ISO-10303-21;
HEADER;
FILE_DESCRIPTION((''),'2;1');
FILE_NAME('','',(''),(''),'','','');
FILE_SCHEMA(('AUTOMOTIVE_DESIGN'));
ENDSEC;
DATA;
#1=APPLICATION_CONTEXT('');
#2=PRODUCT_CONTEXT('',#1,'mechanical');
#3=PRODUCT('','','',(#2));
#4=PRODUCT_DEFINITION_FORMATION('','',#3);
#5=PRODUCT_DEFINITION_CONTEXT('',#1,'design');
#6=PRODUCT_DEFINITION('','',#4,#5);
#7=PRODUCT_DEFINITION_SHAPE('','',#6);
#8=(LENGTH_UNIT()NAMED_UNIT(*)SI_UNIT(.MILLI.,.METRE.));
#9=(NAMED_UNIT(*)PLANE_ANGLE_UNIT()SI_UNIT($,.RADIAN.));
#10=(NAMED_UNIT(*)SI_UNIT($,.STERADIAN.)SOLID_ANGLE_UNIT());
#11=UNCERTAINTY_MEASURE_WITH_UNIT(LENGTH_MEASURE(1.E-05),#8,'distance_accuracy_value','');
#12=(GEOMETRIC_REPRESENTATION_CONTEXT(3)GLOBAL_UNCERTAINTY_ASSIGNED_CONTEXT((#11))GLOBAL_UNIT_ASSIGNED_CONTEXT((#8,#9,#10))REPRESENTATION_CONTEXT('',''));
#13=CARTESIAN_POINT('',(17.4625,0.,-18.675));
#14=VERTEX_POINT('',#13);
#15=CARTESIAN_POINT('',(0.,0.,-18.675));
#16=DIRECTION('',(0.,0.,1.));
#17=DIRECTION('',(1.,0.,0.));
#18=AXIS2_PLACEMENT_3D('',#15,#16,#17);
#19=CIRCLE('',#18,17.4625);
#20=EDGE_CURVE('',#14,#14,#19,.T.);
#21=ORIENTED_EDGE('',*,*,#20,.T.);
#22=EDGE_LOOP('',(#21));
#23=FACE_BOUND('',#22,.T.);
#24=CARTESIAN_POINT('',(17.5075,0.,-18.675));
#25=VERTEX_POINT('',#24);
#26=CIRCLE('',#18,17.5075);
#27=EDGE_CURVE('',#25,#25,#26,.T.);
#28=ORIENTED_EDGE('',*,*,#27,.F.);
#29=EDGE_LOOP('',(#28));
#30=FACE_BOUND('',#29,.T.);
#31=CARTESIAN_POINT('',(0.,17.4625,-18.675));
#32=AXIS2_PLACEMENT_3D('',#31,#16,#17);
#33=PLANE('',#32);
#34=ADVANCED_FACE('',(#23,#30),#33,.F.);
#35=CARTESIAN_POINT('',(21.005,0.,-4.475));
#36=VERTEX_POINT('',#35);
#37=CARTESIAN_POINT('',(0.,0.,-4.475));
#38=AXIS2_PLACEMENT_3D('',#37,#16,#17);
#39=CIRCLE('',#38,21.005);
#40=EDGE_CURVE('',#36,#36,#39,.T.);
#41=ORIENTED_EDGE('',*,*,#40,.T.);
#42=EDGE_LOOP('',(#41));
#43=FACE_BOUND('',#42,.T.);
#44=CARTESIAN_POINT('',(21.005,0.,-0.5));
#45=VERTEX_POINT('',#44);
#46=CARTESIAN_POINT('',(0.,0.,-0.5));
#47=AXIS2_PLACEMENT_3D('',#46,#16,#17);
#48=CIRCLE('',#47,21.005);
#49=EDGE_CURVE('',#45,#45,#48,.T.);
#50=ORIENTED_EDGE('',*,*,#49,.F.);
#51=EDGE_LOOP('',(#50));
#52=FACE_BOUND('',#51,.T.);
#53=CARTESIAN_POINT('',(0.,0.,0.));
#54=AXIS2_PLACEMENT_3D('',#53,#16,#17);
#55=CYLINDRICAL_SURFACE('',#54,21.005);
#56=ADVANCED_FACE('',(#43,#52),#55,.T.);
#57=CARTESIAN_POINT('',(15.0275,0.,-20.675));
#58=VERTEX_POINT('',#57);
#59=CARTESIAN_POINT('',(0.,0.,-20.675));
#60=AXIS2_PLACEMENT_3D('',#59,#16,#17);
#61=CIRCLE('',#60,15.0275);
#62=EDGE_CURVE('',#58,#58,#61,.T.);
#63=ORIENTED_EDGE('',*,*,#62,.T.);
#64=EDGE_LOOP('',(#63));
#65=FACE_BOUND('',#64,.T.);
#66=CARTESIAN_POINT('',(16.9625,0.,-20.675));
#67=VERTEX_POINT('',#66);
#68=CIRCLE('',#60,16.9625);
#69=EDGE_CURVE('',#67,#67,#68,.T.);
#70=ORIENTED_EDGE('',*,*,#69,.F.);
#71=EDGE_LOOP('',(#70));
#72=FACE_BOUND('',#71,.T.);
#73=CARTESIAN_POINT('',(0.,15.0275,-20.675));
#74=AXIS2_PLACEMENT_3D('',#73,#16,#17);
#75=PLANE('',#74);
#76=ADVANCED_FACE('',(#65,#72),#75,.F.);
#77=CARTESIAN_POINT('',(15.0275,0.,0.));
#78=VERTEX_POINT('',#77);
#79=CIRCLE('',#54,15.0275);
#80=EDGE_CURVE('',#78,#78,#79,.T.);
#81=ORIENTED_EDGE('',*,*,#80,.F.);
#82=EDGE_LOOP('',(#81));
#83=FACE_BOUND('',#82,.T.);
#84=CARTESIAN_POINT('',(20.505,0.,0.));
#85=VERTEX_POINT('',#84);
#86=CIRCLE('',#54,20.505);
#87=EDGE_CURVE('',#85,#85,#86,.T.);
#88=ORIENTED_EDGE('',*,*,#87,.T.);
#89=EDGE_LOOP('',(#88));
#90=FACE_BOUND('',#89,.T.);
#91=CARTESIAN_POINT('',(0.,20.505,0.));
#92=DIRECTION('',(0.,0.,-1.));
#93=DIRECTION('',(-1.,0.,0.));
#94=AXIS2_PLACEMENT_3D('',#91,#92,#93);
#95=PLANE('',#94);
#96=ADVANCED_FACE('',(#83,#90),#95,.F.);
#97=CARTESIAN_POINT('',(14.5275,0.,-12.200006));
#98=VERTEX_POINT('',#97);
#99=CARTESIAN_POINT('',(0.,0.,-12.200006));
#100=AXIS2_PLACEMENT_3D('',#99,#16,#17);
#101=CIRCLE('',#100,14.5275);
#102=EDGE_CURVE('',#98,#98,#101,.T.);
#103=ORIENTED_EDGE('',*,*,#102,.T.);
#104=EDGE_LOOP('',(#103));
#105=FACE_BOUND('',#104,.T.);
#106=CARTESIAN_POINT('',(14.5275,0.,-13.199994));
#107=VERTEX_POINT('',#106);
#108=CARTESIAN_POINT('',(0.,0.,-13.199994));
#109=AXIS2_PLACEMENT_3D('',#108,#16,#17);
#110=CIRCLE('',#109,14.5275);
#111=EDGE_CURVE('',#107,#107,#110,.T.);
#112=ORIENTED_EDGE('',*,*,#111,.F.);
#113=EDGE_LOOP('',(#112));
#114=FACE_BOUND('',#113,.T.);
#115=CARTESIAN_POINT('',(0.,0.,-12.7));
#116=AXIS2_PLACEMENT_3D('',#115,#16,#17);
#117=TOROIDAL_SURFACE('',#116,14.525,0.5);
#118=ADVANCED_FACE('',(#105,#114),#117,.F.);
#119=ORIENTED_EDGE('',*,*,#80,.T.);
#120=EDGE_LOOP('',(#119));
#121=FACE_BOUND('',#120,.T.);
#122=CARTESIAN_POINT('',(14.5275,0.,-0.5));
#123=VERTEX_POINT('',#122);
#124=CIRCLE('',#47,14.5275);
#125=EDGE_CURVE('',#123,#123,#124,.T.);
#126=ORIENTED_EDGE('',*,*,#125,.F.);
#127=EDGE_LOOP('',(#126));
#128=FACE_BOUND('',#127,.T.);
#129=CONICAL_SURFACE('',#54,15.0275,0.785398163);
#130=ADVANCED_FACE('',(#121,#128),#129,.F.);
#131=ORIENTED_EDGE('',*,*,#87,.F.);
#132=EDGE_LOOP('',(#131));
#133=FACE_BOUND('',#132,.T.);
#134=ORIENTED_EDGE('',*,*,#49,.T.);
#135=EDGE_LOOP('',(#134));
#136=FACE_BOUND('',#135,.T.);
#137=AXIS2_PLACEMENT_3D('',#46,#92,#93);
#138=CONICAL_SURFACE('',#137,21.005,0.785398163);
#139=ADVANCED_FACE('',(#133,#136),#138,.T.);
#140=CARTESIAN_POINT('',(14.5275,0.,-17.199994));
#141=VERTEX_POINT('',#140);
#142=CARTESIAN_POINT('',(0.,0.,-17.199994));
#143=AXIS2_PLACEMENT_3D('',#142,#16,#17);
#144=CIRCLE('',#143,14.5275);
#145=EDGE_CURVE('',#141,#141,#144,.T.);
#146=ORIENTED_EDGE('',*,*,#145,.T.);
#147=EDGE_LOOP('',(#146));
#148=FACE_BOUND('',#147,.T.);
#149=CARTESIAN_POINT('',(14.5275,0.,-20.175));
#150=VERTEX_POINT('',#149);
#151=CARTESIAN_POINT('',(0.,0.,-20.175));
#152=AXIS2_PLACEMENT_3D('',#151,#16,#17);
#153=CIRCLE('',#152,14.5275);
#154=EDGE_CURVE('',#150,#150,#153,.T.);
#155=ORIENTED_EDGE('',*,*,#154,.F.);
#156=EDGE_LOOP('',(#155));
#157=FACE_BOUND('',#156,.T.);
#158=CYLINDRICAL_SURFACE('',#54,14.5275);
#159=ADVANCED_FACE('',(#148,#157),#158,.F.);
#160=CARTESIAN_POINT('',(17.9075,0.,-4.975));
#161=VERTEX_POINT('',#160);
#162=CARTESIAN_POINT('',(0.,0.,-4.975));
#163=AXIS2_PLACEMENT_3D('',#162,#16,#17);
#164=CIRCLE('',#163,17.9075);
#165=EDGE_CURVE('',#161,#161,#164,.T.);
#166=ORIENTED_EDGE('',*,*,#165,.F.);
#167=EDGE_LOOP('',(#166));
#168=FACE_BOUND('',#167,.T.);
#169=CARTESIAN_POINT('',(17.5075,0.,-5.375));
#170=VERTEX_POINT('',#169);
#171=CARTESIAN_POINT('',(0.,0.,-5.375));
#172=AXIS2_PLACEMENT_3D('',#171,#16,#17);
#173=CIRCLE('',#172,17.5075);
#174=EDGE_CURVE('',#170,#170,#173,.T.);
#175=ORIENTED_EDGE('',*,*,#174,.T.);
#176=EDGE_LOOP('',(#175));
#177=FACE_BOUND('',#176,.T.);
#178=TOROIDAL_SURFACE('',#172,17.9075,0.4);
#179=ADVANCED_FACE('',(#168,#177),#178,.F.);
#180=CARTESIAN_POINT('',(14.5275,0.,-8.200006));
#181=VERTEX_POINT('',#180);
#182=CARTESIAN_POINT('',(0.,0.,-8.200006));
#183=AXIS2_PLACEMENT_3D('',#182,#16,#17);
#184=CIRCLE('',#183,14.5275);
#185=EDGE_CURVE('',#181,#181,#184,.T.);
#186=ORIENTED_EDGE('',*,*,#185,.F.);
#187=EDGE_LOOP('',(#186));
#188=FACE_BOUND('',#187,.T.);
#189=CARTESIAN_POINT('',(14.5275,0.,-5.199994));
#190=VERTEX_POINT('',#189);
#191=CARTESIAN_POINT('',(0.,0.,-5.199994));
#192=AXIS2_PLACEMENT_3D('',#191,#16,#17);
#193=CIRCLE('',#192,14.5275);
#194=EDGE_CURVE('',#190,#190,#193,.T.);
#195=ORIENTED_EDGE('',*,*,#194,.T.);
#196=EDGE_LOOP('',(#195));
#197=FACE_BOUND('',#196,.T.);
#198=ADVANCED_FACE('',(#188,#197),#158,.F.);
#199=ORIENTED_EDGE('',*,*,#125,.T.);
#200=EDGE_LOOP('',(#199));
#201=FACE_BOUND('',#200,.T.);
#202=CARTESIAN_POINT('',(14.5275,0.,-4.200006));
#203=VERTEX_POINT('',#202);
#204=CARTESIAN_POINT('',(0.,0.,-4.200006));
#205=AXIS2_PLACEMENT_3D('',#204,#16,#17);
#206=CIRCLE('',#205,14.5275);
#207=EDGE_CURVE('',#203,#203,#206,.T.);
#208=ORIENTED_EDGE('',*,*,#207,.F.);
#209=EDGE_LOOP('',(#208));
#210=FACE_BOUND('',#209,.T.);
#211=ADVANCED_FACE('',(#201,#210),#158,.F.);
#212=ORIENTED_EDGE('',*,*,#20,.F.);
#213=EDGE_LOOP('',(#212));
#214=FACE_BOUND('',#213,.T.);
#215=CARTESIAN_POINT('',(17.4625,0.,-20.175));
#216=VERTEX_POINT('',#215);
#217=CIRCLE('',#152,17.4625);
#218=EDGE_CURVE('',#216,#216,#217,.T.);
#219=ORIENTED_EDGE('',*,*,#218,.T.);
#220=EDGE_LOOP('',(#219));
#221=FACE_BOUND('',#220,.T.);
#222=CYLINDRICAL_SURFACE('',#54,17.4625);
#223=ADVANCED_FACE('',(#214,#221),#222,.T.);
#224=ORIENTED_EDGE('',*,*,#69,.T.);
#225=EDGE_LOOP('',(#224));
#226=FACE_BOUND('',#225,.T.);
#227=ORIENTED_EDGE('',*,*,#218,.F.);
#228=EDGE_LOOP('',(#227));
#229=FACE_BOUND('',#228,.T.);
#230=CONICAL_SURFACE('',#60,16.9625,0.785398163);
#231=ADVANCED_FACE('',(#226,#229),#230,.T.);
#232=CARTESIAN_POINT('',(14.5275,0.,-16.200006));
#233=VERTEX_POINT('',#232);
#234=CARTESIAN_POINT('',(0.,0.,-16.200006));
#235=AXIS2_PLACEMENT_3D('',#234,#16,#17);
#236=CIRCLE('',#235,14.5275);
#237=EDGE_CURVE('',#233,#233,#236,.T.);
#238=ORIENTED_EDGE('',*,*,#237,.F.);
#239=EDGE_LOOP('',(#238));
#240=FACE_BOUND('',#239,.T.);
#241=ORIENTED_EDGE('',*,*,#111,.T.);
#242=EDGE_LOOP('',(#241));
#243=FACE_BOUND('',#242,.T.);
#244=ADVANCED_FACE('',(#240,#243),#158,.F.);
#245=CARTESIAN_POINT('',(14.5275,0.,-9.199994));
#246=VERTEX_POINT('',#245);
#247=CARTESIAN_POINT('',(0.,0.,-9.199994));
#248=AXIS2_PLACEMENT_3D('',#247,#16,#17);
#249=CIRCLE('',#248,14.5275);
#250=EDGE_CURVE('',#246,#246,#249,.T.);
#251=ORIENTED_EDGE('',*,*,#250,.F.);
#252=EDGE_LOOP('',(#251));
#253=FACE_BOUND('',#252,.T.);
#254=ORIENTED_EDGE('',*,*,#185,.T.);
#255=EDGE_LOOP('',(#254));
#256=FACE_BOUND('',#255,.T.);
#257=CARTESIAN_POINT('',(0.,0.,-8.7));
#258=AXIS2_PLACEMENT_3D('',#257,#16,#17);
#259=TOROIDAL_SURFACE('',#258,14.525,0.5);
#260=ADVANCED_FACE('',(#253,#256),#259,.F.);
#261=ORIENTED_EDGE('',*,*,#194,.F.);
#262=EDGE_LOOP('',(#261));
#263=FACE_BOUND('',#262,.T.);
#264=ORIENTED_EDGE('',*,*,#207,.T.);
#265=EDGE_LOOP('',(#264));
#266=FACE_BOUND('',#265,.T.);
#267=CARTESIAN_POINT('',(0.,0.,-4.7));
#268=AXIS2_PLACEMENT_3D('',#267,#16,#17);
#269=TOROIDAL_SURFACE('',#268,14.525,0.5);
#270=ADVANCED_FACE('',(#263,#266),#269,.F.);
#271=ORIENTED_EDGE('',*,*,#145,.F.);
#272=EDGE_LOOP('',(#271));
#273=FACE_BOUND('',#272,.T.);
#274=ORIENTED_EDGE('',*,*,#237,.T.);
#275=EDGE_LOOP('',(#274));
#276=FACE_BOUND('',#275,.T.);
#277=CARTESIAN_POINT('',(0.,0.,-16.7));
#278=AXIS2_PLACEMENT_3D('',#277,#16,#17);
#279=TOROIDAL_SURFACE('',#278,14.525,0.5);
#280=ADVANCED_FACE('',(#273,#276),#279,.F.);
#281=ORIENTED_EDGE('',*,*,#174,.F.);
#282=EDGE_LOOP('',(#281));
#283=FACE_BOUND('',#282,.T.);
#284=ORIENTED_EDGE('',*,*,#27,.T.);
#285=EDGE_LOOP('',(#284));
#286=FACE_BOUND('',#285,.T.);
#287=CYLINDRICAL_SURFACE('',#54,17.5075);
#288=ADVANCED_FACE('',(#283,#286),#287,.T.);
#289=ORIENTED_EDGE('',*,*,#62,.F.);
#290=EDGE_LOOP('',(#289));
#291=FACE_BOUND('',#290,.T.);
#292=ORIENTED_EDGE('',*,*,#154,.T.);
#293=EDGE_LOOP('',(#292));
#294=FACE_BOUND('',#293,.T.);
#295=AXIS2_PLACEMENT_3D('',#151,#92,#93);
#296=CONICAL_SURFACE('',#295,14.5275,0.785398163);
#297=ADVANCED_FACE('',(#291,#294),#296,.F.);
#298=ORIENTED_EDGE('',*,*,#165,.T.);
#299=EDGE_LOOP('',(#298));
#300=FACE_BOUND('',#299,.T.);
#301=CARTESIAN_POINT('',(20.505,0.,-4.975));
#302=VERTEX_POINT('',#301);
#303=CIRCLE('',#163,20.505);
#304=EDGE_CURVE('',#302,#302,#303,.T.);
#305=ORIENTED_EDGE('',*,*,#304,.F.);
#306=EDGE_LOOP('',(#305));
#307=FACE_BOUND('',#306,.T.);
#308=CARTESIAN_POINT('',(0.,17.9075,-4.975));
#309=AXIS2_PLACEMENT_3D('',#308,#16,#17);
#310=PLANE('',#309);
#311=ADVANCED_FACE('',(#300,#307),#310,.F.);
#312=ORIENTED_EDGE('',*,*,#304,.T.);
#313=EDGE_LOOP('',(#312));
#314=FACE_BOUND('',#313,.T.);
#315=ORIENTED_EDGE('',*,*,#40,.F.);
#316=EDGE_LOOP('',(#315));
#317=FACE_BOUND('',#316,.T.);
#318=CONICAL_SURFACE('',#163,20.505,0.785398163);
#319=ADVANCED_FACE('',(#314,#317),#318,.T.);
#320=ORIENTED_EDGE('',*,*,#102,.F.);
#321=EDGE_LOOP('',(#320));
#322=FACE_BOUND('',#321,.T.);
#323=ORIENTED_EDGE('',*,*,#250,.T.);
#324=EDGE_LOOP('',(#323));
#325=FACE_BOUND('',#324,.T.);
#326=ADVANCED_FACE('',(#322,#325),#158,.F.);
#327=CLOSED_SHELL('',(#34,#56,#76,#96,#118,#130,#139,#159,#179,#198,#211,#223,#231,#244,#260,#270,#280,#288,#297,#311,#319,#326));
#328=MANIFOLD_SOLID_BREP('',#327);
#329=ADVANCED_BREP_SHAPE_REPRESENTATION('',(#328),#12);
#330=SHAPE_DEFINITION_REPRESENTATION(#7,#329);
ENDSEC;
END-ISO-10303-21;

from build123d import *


with BuildPart() as part:
    # Sketch1 → Revolve1 (revolve)
    with BuildSketch(Plane(origin=(0, 0, 0), x_dir=(0, 0, -1), z_dir=(1, 0, 0)), mode=Mode.PRIVATE) as revolve1_sk:
        with BuildLine():
            Line((0.5, 14.5275), (4.20000625, 14.5275))
            ThreePointArc((4.20000625, 14.5275), (4.7, 15.025), (5.19999375, 14.5275))
            Line((5.19999375, 14.5275), (8.20000625, 14.5275))
            ThreePointArc((8.20000625, 14.5275), (8.7, 15.025), (9.19999375, 14.5275))
            Line((9.19999375, 14.5275), (12.20000625, 14.5275))
            ThreePointArc((12.20000625, 14.5275), (12.7, 15.025), (13.19999375, 14.5275))
            Line((13.19999375, 14.5275), (16.20000625, 14.5275))
            ThreePointArc((16.20000625, 14.5275), (16.7, 15.025), (17.19999375, 14.5275))
            Line((17.19999375, 14.5275), (20.175, 14.5275))
            Line((20.175, 14.5275), (20.675, 15.0275))
            Line((20.675, 15.0275), (20.675, 16.9625))
            Line((20.675, 16.9625), (20.175, 17.4625))
            Line((20.175, 17.4625), (18.675, 17.4625))
            Line((18.675, 17.4625), (18.675, 17.5075))
            Line((18.675, 17.5075), (5.375, 17.5075))
            ThreePointArc((5.375, 17.5075), (5.092157288, 17.624657288), (4.975, 17.9075))
            Line((4.975, 17.9075), (4.975, 20.505))
            Line((4.975, 20.505), (4.475, 21.005))
            Line((4.475, 21.005), (0.5, 21.005))
            Line((0.5, 21.005), (0, 20.505))
            Line((0, 20.505), (0, 15.0275))
            Line((0, 15.0275), (0.5, 14.5275))
        make_face()
    revolve(revolve1_sk.sketch.rotate(Axis((0, 0, 0), (0, 0, -1)), 90), axis=Axis((0, 0, 0), (0, 0, -1)))


solid = part.part
